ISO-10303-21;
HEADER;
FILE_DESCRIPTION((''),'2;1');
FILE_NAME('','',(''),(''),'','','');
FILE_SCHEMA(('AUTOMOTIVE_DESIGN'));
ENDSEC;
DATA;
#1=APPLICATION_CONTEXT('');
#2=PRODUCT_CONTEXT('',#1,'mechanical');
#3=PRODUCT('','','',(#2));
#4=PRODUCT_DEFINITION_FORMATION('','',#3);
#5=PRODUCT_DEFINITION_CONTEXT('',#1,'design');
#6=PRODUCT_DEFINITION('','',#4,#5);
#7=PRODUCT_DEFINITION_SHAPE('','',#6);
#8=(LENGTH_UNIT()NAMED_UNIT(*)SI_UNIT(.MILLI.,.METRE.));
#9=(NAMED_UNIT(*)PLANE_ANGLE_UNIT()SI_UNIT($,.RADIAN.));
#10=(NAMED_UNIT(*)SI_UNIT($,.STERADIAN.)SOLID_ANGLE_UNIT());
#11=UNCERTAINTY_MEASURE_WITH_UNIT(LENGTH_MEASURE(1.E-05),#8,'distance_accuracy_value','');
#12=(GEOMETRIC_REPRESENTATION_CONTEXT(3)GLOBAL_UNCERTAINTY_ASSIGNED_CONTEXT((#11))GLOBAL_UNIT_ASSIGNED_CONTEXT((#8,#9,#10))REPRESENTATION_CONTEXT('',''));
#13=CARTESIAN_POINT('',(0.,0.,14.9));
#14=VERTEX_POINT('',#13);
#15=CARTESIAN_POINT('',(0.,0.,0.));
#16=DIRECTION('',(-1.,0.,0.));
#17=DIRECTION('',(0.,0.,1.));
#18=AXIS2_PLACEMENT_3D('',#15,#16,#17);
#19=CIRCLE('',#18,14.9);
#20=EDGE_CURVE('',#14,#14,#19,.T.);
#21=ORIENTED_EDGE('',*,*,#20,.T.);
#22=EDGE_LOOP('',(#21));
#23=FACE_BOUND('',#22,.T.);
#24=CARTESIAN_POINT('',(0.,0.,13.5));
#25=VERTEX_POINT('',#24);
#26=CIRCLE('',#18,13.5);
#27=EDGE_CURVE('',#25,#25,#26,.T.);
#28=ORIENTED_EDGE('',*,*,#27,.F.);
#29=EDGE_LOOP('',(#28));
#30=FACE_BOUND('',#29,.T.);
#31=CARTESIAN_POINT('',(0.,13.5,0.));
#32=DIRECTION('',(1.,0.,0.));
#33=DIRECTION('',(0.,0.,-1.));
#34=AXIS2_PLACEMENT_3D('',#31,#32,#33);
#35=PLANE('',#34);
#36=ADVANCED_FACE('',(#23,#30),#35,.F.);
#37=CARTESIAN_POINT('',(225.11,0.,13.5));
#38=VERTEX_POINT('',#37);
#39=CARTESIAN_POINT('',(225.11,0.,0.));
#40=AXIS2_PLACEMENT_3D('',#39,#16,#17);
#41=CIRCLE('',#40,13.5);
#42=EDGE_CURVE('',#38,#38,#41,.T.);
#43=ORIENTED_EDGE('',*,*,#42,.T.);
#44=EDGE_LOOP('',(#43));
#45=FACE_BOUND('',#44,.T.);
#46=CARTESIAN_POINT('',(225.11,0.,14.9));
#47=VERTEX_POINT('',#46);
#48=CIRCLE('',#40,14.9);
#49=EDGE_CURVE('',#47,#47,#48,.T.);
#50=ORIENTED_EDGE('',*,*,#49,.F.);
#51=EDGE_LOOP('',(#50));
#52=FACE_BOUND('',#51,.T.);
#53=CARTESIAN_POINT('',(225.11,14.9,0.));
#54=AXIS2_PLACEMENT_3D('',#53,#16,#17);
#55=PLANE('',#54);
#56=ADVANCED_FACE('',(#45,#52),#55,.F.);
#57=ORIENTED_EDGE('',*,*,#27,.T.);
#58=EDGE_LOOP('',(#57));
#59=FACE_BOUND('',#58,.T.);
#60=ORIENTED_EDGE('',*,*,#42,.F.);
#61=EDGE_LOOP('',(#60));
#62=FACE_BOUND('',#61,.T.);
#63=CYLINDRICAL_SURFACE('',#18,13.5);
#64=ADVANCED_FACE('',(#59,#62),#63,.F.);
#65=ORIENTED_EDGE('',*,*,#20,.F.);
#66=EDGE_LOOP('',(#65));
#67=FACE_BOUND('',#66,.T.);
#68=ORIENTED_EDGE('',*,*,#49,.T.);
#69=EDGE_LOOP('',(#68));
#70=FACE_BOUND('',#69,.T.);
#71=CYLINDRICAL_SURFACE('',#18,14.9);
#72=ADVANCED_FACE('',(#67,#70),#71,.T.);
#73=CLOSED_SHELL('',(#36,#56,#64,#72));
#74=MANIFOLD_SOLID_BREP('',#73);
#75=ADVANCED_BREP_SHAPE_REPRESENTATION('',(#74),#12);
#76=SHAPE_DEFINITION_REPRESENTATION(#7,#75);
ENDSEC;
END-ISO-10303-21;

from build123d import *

# Parameters (mm, degrees)
SKETCH1_W = 225.11
SKETCH1_H = 1.4


with BuildPart() as part:
    # Sketch1 → Revolve1 (revolve)
    with BuildSketch(Plane.XY, mode=Mode.PRIVATE) as revolve1_sk:
        with Locations((112.555, 14.2)):
            Rectangle(SKETCH1_W, SKETCH1_H)
    revolve(revolve1_sk.sketch.rotate(Axis((0, 0, 0), (1, 0, 0)), 90), axis=Axis((0, 0, 0), (1, 0, 0)))


solid = part.part
